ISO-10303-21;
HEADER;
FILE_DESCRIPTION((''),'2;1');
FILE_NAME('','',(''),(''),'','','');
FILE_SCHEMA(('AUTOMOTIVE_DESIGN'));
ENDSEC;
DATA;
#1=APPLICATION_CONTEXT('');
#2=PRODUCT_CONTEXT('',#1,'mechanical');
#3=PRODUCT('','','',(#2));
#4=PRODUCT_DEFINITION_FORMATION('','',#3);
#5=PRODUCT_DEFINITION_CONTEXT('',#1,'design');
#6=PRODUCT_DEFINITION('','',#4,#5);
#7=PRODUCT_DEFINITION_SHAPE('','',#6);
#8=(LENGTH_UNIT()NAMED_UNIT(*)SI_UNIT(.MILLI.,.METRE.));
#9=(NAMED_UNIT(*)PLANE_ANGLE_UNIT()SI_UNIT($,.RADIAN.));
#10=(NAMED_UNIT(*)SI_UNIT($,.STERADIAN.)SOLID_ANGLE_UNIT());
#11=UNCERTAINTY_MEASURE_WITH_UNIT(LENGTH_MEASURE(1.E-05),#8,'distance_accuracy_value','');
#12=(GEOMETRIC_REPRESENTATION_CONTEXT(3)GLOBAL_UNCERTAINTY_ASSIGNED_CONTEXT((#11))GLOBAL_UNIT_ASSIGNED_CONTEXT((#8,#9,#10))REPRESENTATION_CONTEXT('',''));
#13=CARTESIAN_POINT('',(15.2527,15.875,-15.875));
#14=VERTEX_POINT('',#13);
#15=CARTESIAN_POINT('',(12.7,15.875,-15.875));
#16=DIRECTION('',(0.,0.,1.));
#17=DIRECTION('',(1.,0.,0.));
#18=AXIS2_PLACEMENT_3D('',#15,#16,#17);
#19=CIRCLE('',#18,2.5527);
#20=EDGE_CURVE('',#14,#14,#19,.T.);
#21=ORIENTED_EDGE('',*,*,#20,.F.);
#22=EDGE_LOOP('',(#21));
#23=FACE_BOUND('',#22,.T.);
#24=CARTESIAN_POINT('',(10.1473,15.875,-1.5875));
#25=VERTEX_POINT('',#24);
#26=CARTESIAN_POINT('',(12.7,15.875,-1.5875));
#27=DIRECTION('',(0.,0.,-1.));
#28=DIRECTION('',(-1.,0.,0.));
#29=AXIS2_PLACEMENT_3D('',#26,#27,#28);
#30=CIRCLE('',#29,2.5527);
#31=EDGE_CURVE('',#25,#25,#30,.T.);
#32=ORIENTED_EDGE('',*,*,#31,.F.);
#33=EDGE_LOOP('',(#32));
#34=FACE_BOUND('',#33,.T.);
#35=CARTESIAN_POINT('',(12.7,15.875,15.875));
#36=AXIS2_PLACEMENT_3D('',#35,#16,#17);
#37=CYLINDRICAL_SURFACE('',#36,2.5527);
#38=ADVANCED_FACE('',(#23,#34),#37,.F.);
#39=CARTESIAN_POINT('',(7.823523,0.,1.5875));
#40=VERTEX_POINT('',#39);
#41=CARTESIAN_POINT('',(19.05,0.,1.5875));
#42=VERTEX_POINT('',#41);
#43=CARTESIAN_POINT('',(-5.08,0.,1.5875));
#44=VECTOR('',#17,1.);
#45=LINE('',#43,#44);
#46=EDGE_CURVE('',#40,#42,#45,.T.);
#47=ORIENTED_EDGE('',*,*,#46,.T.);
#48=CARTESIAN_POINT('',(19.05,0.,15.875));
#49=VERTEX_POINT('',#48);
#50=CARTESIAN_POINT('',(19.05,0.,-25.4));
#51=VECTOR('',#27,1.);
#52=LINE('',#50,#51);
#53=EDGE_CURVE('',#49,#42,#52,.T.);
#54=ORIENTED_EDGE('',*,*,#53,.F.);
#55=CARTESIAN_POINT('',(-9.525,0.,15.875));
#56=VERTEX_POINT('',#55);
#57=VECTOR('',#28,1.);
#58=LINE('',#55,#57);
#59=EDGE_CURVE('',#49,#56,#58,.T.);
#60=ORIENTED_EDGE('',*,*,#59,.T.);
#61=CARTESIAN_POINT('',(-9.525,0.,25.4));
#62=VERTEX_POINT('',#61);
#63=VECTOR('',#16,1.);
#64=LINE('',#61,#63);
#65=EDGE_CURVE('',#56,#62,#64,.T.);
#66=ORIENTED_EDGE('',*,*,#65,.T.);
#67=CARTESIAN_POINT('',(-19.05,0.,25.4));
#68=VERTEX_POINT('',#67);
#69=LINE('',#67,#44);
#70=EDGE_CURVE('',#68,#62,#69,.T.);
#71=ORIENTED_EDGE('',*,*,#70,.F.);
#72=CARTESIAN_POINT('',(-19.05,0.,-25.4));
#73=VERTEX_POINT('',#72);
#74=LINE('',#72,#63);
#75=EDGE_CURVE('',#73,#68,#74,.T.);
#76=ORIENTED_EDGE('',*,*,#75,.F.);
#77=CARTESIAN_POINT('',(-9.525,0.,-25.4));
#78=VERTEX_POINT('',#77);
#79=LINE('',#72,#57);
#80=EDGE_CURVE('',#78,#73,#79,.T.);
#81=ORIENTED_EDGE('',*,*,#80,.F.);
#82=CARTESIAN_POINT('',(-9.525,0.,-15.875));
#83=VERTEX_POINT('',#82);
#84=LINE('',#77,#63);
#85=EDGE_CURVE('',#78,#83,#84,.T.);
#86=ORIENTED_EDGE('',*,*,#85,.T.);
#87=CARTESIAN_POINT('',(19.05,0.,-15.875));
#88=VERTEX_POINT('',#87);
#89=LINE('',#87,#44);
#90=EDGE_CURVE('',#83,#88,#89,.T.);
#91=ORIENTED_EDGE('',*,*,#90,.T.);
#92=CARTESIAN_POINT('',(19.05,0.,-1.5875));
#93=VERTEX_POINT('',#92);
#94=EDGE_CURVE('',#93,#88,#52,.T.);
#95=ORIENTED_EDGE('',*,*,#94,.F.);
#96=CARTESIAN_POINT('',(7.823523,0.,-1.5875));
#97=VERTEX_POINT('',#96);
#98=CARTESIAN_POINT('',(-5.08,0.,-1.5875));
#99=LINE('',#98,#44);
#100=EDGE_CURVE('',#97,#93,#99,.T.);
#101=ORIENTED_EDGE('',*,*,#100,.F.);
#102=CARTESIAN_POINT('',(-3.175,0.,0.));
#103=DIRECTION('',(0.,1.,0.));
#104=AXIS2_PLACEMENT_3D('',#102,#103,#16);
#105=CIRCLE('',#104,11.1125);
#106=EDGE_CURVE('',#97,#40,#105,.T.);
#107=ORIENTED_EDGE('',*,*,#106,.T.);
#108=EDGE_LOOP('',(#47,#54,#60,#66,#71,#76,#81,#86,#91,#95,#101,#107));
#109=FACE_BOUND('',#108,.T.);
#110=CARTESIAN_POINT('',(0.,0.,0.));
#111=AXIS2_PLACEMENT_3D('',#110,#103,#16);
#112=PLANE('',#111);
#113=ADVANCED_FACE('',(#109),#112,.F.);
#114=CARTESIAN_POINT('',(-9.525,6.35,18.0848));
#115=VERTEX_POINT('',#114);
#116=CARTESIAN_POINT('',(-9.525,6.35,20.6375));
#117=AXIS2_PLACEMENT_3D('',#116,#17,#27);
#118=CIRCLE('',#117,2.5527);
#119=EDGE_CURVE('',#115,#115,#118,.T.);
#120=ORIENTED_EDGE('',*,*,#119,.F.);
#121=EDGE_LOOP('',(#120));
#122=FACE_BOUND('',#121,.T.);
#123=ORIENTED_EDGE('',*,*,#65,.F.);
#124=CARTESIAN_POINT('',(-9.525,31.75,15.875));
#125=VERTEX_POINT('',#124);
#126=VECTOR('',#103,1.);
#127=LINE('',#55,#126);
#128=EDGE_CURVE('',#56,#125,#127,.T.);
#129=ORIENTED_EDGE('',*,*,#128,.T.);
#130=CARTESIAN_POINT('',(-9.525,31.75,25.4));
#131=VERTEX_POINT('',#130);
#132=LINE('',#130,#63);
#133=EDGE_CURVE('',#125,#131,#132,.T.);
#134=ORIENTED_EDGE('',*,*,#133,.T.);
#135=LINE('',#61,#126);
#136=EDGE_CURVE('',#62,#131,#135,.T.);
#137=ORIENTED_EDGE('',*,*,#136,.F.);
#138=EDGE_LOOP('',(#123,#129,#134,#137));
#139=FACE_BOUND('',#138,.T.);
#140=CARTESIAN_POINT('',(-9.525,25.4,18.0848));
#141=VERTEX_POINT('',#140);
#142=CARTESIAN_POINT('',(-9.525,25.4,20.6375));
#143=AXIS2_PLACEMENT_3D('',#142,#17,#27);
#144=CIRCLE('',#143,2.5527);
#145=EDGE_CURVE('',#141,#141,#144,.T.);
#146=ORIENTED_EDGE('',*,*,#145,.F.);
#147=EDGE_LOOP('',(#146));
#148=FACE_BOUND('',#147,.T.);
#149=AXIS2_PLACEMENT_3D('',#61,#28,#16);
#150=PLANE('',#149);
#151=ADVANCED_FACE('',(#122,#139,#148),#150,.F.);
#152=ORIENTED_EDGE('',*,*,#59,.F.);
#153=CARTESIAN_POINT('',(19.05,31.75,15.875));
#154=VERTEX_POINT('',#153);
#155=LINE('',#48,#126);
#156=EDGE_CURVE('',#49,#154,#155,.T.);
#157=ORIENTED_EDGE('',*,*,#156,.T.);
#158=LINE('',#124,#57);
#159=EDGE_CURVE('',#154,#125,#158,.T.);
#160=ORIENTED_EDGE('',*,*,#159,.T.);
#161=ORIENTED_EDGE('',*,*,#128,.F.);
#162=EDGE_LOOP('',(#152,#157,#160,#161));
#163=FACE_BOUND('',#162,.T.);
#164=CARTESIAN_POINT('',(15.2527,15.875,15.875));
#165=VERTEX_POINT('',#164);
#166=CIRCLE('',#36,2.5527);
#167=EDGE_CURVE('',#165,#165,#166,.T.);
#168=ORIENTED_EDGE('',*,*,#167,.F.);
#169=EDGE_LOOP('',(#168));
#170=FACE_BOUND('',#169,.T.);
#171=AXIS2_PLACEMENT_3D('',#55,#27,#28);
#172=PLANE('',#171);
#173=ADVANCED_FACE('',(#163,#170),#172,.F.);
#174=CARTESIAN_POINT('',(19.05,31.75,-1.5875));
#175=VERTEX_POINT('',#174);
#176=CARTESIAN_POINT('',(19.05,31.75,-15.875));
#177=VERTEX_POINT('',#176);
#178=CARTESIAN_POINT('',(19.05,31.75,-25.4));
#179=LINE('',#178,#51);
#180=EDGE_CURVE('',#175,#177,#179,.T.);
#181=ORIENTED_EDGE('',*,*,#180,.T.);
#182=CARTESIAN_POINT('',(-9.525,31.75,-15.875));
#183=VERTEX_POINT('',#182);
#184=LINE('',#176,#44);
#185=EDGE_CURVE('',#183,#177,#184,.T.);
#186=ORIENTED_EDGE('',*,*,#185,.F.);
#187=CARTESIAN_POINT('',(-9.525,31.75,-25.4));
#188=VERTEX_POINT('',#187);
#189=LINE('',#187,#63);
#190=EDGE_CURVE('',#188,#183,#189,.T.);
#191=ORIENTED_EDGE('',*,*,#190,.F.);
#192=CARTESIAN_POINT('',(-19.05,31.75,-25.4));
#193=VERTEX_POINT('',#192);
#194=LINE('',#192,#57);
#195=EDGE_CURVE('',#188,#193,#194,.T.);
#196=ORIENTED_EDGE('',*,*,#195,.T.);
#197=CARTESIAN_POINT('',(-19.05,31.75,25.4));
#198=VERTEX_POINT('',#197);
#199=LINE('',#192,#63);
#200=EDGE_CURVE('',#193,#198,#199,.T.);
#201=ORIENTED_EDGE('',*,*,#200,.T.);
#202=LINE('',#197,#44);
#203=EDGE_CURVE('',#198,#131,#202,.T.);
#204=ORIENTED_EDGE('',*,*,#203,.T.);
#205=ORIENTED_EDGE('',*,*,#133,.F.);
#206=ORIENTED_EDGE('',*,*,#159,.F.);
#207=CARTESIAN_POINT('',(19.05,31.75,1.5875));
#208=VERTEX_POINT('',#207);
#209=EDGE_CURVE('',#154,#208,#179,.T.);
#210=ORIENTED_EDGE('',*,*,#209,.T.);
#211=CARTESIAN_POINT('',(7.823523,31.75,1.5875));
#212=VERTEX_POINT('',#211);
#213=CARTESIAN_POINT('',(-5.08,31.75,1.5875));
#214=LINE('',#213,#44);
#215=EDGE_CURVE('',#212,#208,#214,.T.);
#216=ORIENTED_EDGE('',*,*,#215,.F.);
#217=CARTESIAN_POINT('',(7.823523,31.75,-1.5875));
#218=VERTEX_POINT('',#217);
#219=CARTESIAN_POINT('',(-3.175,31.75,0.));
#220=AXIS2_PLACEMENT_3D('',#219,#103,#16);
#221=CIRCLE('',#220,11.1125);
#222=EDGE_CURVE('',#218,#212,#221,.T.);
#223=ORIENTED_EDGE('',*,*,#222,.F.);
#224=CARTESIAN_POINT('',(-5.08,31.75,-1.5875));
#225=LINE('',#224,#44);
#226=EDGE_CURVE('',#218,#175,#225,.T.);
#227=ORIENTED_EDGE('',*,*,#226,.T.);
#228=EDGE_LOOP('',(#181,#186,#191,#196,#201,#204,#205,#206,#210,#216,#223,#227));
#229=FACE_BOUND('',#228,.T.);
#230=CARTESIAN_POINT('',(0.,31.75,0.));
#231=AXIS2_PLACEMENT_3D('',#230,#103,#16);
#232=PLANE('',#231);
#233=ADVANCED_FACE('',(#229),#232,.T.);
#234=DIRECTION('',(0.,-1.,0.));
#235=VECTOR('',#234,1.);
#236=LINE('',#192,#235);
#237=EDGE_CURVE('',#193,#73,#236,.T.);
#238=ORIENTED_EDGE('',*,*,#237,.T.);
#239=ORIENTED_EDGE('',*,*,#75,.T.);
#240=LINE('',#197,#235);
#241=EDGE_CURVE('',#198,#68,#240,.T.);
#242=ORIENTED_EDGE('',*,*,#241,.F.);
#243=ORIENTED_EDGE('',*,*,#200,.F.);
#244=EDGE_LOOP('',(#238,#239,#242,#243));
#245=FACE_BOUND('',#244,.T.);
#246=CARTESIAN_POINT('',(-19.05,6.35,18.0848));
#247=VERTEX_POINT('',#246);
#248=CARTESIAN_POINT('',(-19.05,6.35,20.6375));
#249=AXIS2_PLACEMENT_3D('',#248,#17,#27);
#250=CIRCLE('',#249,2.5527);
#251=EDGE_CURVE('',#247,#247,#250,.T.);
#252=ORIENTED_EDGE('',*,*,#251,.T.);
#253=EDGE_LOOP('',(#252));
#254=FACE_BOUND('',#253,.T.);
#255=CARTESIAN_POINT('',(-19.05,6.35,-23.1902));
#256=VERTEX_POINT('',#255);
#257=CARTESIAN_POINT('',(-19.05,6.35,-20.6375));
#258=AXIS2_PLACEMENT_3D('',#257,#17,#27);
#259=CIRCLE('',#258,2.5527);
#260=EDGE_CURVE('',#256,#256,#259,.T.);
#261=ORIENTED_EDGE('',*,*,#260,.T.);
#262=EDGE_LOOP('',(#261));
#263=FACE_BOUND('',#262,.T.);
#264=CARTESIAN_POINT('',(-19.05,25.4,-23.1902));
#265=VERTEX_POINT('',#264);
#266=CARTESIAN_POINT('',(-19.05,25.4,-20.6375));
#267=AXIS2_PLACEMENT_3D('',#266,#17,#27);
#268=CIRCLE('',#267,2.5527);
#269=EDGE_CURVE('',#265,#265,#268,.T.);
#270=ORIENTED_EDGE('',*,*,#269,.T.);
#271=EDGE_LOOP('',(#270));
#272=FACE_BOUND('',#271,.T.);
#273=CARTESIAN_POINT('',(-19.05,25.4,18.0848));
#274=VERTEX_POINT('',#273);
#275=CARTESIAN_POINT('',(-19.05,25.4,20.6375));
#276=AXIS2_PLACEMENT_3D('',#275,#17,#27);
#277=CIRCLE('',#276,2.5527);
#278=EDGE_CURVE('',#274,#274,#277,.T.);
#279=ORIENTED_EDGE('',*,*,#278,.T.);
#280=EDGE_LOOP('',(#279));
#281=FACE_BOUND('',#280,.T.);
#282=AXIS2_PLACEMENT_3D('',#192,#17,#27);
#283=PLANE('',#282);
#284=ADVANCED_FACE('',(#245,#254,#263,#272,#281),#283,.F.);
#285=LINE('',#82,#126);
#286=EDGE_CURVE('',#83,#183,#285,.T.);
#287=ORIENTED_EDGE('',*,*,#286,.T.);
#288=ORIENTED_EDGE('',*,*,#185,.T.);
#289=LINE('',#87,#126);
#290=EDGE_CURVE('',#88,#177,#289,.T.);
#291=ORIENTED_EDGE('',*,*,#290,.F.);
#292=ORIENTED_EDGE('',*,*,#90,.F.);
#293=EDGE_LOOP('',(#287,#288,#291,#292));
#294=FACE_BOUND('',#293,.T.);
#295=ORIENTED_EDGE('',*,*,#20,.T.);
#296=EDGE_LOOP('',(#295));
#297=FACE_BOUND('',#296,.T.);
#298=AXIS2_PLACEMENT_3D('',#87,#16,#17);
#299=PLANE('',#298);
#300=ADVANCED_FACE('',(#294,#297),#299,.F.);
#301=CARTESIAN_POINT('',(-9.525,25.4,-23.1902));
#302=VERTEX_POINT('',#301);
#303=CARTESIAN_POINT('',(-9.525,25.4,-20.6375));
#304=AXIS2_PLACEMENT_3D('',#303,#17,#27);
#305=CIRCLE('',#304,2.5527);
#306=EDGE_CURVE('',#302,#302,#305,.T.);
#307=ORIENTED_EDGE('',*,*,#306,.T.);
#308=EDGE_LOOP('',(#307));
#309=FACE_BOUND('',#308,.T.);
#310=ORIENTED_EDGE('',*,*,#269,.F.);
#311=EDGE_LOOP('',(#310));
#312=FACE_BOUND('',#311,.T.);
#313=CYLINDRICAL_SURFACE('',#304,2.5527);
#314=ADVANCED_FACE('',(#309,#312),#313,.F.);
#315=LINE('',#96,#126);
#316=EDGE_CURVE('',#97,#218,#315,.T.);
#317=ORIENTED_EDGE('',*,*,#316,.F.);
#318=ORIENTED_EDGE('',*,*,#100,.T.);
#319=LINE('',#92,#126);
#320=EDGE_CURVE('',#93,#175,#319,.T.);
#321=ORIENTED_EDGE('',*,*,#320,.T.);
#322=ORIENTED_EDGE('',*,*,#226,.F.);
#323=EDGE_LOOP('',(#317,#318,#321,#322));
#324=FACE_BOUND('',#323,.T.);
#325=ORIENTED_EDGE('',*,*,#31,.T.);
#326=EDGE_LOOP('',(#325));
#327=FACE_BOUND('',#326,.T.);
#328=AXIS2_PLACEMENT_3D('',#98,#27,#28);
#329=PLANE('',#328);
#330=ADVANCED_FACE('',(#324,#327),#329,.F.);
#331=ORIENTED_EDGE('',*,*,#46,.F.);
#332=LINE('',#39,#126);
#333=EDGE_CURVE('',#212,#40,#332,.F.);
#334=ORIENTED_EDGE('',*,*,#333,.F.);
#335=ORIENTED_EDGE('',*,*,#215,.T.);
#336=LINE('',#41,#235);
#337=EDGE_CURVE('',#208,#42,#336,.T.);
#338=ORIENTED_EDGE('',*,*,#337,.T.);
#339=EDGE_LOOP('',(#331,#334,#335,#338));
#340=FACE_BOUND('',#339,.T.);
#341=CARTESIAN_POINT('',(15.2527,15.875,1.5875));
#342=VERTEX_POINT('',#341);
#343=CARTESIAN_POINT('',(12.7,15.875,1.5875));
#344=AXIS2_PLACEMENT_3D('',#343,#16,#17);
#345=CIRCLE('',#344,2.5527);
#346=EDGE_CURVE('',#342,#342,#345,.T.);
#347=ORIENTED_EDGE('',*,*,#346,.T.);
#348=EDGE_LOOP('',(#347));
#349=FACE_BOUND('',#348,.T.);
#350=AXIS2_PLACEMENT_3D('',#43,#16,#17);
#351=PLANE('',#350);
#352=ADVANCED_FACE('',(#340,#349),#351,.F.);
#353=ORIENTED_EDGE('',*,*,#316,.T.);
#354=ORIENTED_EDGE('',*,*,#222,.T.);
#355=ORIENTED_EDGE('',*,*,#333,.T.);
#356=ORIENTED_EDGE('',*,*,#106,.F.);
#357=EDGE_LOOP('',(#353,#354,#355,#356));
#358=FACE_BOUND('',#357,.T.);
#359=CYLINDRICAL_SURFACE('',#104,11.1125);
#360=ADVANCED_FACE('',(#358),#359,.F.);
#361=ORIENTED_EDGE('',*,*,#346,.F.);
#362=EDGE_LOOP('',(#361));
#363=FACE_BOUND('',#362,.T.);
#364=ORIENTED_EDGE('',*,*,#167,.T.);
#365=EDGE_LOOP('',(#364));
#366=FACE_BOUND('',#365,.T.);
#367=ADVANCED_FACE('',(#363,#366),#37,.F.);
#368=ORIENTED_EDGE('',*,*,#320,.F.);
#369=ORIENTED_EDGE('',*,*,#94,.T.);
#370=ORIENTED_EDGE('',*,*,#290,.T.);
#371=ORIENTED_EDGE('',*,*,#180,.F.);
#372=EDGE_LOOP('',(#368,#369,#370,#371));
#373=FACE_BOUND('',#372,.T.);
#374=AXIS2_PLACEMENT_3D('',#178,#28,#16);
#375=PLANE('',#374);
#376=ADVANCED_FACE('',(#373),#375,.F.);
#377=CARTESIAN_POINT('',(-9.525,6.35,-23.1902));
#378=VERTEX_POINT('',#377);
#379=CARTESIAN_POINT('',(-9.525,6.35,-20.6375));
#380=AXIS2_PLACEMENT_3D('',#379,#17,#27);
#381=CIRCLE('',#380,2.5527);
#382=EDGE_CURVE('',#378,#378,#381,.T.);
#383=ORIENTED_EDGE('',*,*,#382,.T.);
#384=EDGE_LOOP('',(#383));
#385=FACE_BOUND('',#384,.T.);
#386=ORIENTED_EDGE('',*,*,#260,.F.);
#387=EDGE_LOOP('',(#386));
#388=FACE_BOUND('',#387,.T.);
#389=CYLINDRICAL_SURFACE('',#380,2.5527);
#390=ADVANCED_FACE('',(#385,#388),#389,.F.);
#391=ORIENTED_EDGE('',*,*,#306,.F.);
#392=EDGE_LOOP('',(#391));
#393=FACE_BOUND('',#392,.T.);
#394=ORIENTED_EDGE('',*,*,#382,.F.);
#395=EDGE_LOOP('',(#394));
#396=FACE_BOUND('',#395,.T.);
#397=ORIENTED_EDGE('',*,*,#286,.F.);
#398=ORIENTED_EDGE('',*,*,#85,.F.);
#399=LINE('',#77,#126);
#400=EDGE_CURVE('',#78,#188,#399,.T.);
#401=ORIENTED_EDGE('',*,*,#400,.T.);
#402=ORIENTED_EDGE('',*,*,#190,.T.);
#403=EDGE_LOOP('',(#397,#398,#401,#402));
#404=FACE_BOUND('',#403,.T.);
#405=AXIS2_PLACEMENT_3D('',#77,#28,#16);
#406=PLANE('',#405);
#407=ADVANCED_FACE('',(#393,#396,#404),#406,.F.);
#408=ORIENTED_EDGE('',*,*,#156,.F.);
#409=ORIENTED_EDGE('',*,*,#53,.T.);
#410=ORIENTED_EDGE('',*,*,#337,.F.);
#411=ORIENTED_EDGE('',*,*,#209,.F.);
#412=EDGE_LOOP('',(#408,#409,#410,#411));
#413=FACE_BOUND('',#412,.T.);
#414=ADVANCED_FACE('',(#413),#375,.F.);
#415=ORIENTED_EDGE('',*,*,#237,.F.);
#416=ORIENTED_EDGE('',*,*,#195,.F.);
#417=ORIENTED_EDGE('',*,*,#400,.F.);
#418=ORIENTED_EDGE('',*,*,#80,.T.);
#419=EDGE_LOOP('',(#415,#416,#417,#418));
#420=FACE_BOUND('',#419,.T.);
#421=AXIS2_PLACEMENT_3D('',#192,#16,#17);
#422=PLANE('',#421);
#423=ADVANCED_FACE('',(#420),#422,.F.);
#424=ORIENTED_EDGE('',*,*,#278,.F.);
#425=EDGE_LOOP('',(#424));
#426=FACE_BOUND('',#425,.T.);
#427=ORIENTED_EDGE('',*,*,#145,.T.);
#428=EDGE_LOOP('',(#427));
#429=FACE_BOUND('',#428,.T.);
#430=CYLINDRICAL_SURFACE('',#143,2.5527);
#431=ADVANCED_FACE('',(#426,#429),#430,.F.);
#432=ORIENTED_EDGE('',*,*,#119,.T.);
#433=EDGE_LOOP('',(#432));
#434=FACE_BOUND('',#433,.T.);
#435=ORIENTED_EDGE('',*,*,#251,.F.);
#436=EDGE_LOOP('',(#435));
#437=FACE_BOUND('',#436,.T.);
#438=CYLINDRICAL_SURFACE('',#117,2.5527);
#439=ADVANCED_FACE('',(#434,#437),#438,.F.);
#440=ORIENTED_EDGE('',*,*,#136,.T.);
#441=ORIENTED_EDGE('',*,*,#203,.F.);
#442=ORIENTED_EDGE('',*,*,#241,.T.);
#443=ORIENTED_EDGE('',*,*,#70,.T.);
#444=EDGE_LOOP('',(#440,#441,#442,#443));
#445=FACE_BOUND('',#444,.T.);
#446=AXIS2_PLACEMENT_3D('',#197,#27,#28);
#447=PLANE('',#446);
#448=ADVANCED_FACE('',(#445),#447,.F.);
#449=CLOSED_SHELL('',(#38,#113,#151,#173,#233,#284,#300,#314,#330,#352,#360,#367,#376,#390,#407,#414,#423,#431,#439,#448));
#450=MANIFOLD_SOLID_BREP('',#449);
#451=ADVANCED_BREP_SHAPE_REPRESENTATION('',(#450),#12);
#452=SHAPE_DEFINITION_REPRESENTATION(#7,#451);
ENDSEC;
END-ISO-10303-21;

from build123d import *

# Parameters (mm, degrees)
SKETCH1_W                  = 38.1
SKETCH1_H                  = 50.8
BOSS_EXTRUDE1_DEPTH        = 31.75
SKETCH2_R                  = 11.1125
CUT_EXTRUDE1_DEPTH         = 45.901280605
SKETCH3_W                  = 28.575
SKETCH3_H                  = 9.525
CUT_EXTRUDE2_DEPTH         = 45.901280605
F_10_CLEARANCE_HOLE1_D     = 5.1054
F_10_CLEARANCE_HOLE1_DEPTH = 9.652
F_10_CLEARANCE_HOLE1_TIP   = 1.533816902
SKETCH6_W                  = 3.175
SKETCH6_H                  = 31.75
CUT_EXTRUDE3_DEPTH         = 24.13
F_10_CLEARANCE_HOLE2_D     = 5.1054


with BuildPart() as part:
    # Sketch1 → Boss-Extrude1 (new body)
    with BuildSketch(Plane(origin=(0, 0, 0), x_dir=(1, 0, 0), z_dir=(0, 1, 0))):
        Rectangle(SKETCH1_W, SKETCH1_H)
    extrude(amount=BOSS_EXTRUDE1_DEPTH)

    # Sketch2 → Cut-Extrude1 (cut, through all)
    with BuildSketch(Plane(origin=(0, 31.75, 0), x_dir=(1, 0, 0), z_dir=(0, 1, 0))):
        with Locations(Location((-3.175, 0, 0), (0, 0, 270))):
            Circle(SKETCH2_R)
    extrude(amount=-CUT_EXTRUDE1_DEPTH, mode=Mode.SUBTRACT)

    # Sketch3 → Cut-Extrude2 (cut, through all)
    with BuildSketch(Plane(origin=(0, 31.75, 0), x_dir=(1, 0, 0), z_dir=(0, 1, 0))):
        with Locations((4.7625, 20.6375)):
            Rectangle(SKETCH3_W, SKETCH3_H)
        with Locations((4.7625, -20.6375)):
            Rectangle(SKETCH3_W, SKETCH3_H)
    extrude(amount=-CUT_EXTRUDE2_DEPTH, mode=Mode.SUBTRACT)

    # #10 Clearance Hole1
    with Locations(Plane(origin=(-9.525, 0, 0), x_dir=(0, 0, -1), z_dir=(1, 0, 0))):
        with Locations((-20.6375, 25.4), (20.6375, 6.35), (-20.6375, 6.35), (20.6375, 25.4)):
            Hole(F_10_CLEARANCE_HOLE1_D / 2, depth=F_10_CLEARANCE_HOLE1_DEPTH)
            with Locations((0, 0, -(F_10_CLEARANCE_HOLE1_DEPTH + F_10_CLEARANCE_HOLE1_TIP / 2))):  # 118° drill point
                Cone(0, F_10_CLEARANCE_HOLE1_D / 2, F_10_CLEARANCE_HOLE1_TIP, mode=Mode.SUBTRACT)

    # Sketch6 → Cut-Extrude3 (cut)
    with BuildSketch(Plane(origin=(19.05, 0, 0), x_dir=(0, 0, -1), z_dir=(1, 0, 0))):
        with Locations((0, 15.875)):
            Rectangle(SKETCH6_W, SKETCH6_H)
    extrude(amount=-CUT_EXTRUDE3_DEPTH, mode=Mode.SUBTRACT)

    # #10 Clearance Hole2 (through all)
    with Locations(Plane.XY.offset(15.875)):
        with Locations((12.7, 15.875)):
            Hole(F_10_CLEARANCE_HOLE2_D / 2)


solid = part.part
